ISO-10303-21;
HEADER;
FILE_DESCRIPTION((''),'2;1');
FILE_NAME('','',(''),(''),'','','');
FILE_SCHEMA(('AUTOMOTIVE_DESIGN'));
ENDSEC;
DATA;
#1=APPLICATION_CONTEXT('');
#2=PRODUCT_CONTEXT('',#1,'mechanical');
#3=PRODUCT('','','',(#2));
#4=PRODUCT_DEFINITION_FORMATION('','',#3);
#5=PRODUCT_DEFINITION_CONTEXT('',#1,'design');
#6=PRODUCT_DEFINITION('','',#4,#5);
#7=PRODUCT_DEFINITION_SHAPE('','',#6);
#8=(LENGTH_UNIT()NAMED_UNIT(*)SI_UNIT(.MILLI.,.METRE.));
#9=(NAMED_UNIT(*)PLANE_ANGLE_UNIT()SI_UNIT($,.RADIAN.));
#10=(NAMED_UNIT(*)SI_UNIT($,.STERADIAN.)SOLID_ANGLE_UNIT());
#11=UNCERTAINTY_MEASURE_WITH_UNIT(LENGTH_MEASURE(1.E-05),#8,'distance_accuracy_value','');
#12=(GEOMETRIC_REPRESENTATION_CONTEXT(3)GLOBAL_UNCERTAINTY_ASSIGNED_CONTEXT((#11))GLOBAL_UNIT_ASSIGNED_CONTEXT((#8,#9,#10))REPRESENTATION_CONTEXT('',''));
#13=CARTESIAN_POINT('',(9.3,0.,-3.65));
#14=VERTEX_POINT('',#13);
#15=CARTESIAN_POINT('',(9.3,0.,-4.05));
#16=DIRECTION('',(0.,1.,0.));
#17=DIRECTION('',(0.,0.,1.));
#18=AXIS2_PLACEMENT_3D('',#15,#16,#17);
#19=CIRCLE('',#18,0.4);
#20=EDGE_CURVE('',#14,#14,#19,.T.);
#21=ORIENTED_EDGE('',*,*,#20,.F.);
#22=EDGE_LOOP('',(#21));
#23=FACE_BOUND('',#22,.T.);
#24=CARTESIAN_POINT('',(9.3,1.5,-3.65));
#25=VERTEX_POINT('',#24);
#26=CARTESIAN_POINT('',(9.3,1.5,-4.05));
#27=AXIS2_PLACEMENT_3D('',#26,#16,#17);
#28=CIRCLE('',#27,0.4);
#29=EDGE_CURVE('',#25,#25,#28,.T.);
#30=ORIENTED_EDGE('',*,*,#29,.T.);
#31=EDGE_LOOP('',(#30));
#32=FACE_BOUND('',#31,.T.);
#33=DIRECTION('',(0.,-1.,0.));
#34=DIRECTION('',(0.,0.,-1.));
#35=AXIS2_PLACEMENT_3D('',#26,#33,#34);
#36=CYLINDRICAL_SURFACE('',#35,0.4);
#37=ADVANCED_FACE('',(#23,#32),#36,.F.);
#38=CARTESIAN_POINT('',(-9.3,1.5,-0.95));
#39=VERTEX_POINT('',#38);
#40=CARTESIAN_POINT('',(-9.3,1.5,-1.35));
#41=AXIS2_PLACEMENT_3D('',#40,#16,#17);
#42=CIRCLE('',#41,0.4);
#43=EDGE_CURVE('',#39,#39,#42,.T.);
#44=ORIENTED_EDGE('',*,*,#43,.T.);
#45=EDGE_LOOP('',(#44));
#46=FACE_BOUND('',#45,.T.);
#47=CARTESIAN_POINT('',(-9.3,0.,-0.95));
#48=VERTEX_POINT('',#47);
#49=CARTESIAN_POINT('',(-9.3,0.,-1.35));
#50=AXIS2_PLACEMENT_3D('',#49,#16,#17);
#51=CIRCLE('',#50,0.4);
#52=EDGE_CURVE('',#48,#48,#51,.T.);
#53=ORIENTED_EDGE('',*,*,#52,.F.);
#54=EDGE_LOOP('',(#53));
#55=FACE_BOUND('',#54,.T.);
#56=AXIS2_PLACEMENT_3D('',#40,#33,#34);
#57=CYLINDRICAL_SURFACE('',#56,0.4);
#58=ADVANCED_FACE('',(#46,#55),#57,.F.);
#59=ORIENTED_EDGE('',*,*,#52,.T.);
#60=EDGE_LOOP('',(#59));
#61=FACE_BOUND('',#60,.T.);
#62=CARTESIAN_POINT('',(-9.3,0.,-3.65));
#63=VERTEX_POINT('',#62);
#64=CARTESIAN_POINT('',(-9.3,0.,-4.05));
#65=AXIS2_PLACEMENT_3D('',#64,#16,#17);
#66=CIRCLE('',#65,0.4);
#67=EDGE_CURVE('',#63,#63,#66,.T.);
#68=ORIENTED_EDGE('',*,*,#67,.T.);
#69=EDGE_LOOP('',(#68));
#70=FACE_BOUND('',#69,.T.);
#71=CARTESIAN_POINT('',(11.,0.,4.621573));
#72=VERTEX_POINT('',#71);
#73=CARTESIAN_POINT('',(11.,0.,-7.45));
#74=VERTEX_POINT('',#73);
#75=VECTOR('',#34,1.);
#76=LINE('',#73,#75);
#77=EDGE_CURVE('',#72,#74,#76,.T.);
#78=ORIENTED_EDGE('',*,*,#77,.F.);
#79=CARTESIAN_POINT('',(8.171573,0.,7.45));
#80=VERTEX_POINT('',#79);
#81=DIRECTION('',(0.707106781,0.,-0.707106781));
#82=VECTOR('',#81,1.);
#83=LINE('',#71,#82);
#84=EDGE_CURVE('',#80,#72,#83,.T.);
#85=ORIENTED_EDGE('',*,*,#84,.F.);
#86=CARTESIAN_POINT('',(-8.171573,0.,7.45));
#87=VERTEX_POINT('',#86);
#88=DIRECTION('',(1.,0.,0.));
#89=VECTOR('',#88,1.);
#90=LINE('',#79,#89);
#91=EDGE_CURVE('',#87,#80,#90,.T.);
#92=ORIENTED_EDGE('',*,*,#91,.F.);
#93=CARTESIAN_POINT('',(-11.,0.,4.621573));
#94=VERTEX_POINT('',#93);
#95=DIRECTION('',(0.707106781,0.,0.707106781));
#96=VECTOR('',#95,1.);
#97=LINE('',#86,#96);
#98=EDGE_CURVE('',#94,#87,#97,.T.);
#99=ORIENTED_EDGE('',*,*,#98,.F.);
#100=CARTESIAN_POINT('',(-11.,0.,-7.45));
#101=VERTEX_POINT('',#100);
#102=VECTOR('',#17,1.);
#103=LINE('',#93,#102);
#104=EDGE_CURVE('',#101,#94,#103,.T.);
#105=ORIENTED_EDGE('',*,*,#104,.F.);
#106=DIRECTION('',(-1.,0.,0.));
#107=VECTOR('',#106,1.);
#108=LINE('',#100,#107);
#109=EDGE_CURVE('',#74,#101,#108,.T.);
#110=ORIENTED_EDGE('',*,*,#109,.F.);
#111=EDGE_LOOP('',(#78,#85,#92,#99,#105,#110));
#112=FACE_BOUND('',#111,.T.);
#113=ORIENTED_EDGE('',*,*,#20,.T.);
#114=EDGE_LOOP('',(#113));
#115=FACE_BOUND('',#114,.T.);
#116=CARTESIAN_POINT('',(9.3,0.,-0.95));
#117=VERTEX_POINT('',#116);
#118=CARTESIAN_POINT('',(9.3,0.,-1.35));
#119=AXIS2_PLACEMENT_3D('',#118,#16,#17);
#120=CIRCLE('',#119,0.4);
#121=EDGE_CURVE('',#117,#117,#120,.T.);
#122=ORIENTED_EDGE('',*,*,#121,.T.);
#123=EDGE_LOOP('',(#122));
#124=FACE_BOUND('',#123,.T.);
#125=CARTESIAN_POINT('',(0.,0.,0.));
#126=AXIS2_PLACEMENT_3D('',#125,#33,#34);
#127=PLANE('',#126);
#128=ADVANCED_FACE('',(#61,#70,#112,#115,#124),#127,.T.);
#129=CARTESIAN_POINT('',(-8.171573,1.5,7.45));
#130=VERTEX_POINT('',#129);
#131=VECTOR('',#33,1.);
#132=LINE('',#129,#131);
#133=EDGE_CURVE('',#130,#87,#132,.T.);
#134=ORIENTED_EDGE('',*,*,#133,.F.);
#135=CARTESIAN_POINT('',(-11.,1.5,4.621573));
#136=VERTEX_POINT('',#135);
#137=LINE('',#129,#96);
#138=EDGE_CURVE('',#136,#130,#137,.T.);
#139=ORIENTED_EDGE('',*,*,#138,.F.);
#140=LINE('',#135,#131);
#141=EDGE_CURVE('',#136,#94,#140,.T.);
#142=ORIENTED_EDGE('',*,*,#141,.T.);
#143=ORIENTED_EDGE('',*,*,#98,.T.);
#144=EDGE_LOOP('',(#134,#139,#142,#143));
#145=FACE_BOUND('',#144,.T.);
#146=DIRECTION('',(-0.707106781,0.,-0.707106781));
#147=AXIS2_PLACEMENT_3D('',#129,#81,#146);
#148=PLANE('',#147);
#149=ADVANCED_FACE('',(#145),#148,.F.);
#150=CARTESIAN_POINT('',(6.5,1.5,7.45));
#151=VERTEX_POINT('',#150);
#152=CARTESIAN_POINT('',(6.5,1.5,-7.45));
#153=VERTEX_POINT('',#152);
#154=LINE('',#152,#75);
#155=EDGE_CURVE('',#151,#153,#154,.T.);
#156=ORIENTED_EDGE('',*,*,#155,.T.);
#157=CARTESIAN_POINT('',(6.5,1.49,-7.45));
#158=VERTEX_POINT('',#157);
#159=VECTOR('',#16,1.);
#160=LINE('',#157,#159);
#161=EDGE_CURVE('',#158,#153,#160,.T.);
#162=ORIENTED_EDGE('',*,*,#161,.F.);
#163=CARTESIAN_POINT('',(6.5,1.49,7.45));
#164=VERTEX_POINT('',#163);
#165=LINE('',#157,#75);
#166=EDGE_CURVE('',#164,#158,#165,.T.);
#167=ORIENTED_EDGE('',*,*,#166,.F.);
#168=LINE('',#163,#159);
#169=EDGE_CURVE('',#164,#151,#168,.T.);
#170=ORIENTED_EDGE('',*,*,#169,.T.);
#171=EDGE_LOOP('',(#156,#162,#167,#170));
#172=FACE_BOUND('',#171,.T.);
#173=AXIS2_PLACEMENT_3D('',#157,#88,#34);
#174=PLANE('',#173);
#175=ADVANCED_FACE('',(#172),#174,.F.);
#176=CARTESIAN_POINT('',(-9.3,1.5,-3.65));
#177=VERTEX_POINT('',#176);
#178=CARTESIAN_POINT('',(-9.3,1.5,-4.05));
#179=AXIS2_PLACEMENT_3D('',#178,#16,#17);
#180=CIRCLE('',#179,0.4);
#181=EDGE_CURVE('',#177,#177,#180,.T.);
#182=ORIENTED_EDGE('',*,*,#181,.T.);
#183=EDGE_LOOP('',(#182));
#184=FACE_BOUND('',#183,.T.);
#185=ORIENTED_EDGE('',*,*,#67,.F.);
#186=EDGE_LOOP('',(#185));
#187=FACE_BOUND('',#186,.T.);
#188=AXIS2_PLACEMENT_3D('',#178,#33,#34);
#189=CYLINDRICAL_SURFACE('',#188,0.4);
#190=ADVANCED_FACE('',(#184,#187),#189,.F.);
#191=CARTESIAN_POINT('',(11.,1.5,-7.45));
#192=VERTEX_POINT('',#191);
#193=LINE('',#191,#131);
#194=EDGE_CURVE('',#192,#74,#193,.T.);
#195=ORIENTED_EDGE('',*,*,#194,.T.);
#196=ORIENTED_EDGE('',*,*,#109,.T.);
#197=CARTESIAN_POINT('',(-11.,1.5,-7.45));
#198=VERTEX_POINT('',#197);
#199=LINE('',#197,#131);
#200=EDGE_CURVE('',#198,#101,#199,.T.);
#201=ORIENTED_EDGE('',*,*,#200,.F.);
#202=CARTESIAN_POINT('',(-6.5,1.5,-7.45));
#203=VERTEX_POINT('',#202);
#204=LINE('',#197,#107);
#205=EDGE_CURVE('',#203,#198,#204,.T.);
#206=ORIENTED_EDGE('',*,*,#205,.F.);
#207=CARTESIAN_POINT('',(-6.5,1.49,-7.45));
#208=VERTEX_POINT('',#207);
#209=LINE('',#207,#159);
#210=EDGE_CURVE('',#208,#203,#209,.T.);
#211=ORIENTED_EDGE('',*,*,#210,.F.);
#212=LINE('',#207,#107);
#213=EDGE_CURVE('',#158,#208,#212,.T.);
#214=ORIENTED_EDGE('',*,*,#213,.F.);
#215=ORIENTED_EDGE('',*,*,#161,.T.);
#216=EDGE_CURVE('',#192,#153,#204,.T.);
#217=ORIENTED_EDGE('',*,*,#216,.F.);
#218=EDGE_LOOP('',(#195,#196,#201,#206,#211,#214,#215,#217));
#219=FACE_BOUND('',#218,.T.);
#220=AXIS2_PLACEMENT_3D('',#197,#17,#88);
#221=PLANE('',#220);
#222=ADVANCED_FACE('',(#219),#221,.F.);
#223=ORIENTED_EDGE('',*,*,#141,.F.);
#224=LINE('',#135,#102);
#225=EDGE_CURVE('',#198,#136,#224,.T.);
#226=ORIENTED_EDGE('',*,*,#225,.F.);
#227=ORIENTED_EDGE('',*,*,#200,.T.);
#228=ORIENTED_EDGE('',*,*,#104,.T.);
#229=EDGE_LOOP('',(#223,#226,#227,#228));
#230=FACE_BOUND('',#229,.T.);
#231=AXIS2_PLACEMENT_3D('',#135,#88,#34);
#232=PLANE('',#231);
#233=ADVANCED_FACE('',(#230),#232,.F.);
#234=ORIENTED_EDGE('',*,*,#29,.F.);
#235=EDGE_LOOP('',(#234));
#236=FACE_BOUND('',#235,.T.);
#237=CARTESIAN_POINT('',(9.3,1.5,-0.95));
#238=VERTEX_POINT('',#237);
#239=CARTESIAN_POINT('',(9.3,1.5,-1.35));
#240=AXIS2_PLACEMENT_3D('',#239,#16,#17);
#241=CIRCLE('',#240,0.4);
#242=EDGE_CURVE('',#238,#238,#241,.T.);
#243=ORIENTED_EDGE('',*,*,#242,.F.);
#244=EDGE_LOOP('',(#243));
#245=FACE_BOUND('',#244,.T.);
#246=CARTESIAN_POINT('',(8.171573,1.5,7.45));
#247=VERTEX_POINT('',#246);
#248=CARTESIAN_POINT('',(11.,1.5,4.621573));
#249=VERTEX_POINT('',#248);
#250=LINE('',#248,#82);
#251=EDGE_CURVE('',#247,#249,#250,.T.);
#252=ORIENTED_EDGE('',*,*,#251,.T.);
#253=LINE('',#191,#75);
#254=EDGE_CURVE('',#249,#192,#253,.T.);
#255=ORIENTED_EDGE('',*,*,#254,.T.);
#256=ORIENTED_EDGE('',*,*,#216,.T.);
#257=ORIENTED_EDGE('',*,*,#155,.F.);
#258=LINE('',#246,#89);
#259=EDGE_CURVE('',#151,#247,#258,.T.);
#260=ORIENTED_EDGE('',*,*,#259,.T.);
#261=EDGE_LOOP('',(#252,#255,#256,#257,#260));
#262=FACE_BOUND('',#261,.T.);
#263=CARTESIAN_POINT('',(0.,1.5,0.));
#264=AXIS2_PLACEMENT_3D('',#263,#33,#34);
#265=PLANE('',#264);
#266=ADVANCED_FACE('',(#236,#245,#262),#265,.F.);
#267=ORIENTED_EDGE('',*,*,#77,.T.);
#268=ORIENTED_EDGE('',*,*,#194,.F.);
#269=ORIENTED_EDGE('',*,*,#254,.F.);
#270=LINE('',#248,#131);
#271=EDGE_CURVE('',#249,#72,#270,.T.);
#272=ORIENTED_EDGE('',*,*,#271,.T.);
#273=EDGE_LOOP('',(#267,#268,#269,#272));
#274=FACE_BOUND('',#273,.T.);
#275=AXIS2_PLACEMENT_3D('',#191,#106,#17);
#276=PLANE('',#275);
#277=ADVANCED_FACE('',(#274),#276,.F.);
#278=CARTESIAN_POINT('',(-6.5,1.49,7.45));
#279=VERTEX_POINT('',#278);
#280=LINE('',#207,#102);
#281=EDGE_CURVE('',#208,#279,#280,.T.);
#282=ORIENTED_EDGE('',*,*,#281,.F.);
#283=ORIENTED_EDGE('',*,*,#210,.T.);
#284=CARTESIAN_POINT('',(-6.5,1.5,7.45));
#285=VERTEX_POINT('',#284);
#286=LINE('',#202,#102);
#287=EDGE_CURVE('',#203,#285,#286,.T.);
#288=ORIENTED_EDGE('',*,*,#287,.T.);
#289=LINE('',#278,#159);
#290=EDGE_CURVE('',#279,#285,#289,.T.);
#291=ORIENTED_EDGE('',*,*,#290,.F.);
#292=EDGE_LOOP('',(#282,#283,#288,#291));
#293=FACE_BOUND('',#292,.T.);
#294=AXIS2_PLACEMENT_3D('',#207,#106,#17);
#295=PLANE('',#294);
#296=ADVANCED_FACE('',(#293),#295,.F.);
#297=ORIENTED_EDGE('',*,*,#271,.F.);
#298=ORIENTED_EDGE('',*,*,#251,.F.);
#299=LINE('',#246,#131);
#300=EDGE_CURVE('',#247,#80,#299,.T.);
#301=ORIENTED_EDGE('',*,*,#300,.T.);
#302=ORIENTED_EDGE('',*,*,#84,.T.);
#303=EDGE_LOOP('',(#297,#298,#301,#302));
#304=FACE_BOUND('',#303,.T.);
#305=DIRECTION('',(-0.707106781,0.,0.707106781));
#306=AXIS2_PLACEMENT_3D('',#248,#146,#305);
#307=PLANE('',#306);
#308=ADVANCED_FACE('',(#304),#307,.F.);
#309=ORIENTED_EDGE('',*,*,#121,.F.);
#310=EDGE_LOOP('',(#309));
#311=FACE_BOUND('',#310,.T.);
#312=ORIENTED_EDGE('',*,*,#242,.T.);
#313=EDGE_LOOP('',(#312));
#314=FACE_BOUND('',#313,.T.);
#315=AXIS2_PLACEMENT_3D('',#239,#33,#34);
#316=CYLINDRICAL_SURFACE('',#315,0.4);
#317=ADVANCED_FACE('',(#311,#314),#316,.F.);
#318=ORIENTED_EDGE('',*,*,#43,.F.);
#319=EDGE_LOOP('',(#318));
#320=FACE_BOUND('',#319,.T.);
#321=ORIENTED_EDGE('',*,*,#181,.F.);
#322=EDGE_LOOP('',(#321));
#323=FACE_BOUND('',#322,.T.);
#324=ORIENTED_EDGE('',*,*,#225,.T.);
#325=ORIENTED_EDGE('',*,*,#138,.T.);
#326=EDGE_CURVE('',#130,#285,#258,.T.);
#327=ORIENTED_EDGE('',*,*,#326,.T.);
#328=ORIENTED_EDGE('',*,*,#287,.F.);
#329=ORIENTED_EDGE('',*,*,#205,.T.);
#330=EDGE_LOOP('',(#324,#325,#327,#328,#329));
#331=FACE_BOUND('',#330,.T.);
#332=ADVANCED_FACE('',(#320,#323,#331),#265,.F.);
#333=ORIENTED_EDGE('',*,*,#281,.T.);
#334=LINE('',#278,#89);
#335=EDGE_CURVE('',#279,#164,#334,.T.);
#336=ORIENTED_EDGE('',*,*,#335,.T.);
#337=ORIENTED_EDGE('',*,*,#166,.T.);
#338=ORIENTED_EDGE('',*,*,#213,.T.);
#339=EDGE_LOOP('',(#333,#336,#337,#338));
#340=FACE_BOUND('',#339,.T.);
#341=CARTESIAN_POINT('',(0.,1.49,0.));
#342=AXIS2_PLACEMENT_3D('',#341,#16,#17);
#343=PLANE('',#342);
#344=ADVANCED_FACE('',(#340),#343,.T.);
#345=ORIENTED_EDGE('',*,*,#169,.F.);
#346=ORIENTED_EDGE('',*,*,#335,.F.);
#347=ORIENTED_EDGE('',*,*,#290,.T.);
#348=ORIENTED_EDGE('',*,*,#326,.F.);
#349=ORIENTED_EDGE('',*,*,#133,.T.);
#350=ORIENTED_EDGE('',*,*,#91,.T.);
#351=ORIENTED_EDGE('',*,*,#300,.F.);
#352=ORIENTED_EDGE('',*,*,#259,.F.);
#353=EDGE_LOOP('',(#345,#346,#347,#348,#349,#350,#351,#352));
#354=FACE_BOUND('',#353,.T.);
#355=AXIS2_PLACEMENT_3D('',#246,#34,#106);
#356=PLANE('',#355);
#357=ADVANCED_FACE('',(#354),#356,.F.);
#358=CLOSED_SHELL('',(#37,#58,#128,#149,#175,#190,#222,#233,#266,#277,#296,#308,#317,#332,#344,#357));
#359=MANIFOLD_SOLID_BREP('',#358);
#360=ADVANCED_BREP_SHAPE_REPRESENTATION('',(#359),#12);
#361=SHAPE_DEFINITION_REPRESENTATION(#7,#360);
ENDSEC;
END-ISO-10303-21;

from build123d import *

# Parameters (mm, degrees)
ESQUISSE1_R             = 0.4
BOSS_EXTRU_1_DEPTH      = 1.5
ESQUISSE2_W             = 13
ESQUISSE2_H             = 14.9
ENL_V_MAT_EXTRU_1_DEPTH = 0.01


with BuildPart() as part:
    # Esquisse1 → Boss.-Extru.1 (new body)
    with BuildSketch(Plane(origin=(0, 0, 0), x_dir=(1, 0, 0), z_dir=(0, 1, 0))):
        Polygon((-11, 7.45), (11, 7.45), (11, -4.621572875), (8.171572875, -7.45), (-8.171572875, -7.45), (-11, -4.621572875), align=None)
        with Locations(Location((-9.3, 1.35, 0), (0, 0, 270))):
            Circle(ESQUISSE1_R, mode=Mode.SUBTRACT)
        with Locations(Location((-9.3, 4.05, 0), (0, 0, 270))):
            Circle(ESQUISSE1_R, mode=Mode.SUBTRACT)
        with Locations(Location((9.3, 1.35, 0), (0, 0, 270))):
            Circle(ESQUISSE1_R, mode=Mode.SUBTRACT)
        with Locations(Location((9.3, 4.05, 0), (0, 0, 270))):
            Circle(ESQUISSE1_R, mode=Mode.SUBTRACT)
    extrude(amount=BOSS_EXTRU_1_DEPTH)

    # Esquisse2 → Enlèv. mat.-Extru.1 (cut)
    with BuildSketch(Plane(origin=(0, 1.5, 0), x_dir=(1, 0, 0), z_dir=(0, 1, 0))):
        Rectangle(ESQUISSE2_W, ESQUISSE2_H)
    extrude(amount=-ENL_V_MAT_EXTRU_1_DEPTH, mode=Mode.SUBTRACT)


solid = part.part
